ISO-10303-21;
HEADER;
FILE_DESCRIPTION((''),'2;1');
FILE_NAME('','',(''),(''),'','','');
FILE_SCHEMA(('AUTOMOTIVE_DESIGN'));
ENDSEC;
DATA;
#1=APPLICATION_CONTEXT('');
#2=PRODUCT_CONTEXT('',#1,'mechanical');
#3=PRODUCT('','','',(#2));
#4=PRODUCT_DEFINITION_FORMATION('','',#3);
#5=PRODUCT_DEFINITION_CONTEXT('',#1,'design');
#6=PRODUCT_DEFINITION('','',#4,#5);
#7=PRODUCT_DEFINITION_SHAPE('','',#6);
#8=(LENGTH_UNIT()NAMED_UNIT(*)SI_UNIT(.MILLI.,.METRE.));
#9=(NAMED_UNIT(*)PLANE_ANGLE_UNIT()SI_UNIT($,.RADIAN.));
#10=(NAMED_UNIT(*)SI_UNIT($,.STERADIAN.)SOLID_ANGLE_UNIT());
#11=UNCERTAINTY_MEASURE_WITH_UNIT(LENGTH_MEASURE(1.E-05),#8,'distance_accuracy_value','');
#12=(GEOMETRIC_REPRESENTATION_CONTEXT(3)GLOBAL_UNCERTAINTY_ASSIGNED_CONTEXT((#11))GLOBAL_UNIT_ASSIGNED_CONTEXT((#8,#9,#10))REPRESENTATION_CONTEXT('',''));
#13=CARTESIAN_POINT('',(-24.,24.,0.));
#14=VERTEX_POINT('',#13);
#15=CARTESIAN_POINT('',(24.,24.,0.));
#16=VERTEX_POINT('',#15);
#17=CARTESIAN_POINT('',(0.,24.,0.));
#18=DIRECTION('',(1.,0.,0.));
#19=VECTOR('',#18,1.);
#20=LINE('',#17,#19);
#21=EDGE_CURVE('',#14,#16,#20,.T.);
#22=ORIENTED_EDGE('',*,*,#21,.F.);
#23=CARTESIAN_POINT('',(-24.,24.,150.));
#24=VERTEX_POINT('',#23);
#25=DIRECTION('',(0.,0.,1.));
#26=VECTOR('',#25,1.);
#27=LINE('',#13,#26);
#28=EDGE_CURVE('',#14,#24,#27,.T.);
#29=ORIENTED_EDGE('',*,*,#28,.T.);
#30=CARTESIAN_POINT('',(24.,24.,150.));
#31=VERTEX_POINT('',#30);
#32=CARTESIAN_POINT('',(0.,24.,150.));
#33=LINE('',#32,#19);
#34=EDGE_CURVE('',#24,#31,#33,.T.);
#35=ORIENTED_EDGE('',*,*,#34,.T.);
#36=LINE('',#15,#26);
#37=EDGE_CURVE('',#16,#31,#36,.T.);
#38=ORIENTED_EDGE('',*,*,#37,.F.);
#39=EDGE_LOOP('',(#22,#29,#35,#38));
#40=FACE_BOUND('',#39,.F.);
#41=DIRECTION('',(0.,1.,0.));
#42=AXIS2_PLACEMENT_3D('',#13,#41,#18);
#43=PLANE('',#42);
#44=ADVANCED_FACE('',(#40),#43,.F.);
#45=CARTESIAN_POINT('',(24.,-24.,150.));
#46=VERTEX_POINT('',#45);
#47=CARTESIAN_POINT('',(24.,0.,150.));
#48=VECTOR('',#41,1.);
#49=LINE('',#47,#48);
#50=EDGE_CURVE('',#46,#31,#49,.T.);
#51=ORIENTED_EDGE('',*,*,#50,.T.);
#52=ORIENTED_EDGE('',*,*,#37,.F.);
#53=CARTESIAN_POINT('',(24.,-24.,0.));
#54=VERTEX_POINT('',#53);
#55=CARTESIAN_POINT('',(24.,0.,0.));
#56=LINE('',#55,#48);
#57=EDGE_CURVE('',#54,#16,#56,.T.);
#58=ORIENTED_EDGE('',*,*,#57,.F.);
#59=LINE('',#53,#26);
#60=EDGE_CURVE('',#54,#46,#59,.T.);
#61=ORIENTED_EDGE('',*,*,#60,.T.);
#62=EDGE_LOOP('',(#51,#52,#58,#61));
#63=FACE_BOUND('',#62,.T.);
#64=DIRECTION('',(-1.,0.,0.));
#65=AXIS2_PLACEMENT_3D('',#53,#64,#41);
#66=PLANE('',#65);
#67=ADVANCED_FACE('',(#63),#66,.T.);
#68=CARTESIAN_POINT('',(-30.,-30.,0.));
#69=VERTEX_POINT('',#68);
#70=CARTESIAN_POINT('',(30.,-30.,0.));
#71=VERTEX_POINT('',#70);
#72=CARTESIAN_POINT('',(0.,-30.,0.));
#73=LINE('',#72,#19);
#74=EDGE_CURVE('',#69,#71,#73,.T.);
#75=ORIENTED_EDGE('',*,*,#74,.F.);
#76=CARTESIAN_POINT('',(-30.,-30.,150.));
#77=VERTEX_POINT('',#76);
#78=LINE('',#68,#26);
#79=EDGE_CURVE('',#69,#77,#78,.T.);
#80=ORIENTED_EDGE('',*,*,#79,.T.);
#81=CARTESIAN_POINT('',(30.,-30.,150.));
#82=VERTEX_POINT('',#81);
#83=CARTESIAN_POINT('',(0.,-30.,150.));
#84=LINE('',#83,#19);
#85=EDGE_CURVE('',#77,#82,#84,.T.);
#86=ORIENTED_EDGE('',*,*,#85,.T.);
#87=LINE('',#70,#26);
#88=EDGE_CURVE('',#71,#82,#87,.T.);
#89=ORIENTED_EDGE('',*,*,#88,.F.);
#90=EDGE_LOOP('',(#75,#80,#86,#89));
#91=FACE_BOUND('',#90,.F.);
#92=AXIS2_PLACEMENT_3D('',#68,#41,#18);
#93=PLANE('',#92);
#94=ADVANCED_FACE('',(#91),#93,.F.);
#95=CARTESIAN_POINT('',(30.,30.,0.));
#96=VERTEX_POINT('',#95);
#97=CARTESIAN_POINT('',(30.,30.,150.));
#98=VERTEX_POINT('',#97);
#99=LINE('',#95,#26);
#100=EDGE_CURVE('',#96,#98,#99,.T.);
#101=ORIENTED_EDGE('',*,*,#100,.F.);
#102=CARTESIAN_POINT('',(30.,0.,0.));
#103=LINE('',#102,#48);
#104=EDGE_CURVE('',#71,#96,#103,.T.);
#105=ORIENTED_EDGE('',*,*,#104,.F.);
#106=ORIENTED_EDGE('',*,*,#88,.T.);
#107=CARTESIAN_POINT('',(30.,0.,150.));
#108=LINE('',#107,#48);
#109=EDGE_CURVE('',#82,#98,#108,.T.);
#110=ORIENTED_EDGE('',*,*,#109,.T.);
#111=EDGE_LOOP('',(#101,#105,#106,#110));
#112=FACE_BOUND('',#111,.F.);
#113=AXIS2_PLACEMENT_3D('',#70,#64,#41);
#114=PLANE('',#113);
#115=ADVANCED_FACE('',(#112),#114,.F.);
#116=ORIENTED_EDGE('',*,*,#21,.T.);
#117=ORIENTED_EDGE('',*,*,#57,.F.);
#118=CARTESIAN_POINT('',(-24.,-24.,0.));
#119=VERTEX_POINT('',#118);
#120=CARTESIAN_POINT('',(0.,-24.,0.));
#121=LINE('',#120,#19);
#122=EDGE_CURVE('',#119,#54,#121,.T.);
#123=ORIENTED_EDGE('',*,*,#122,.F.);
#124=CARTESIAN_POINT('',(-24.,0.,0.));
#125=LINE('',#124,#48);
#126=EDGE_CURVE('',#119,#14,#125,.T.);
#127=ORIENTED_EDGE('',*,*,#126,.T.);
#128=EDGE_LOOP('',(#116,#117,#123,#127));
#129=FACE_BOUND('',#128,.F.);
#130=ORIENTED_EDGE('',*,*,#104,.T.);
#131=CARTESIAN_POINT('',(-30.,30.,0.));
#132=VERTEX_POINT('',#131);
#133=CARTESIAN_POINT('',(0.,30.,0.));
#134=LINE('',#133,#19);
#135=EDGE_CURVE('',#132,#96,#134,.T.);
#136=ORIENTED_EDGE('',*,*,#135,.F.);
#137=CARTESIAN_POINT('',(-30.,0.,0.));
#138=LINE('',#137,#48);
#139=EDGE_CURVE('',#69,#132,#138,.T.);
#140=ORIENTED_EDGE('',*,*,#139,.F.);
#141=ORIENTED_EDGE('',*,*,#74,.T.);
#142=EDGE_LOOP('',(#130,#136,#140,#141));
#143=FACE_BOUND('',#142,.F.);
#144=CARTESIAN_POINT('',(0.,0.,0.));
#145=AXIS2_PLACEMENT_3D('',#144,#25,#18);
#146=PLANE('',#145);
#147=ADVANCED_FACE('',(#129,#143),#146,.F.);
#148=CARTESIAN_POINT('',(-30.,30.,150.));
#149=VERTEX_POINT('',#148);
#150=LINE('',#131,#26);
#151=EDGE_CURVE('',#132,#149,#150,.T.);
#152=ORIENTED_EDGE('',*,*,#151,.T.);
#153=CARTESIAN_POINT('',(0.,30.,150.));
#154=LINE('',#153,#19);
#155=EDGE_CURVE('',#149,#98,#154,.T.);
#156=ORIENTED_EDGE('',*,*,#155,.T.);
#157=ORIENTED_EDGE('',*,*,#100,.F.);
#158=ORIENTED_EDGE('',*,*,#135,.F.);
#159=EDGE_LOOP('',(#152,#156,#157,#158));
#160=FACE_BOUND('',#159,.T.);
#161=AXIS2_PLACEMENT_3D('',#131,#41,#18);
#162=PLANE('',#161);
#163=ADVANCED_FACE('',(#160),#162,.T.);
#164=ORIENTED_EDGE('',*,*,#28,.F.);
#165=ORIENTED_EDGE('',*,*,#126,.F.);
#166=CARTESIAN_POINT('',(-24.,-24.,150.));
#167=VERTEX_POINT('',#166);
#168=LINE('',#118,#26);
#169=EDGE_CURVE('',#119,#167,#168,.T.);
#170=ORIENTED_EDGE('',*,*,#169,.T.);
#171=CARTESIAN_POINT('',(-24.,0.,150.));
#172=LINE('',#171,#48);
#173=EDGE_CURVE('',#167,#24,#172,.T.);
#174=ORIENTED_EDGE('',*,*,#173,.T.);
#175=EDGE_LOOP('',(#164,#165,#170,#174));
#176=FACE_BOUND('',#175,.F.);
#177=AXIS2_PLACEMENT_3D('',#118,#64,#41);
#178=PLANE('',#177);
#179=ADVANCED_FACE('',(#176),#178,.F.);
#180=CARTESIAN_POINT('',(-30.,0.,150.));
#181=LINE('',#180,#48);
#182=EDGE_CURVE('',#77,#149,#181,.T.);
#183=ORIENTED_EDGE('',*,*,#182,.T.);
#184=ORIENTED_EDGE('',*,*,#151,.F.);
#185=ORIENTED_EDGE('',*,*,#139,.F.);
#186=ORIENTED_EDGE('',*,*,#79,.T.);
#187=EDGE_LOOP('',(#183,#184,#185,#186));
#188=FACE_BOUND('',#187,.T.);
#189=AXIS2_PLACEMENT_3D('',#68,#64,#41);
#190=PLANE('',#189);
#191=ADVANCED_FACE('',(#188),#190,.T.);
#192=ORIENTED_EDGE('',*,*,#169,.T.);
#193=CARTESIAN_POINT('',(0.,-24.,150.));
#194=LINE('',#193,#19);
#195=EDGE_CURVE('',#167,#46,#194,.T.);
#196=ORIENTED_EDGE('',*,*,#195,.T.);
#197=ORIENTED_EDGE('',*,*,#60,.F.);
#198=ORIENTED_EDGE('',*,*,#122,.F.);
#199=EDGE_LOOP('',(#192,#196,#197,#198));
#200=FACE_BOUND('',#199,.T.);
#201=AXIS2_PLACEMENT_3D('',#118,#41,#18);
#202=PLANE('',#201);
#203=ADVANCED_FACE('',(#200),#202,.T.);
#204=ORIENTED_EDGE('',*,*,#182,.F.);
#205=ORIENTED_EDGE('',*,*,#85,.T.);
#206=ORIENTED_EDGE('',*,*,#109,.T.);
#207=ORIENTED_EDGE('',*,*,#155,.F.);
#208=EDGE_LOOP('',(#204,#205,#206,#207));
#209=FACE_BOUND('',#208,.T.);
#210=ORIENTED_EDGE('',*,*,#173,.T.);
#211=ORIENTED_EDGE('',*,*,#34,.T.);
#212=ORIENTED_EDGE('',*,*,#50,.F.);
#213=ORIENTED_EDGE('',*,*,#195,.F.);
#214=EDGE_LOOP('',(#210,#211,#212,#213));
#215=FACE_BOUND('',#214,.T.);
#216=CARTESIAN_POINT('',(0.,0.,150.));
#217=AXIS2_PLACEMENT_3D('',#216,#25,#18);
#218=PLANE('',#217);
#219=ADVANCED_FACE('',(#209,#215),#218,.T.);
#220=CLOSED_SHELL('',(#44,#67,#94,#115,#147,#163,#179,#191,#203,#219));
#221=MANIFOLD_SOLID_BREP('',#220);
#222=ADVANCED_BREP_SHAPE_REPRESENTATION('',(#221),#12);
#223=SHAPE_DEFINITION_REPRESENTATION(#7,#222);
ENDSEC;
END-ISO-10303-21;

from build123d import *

# Parameters (mm, degrees)
F0_W     = 60
F0_H     = 60
F1_DEPTH = 150
F2_W     = 48
F2_H     = 48
F3_DEPTH = 150


with BuildPart() as f1:
    # F0 (on Top) → F1 (new body)
    with BuildSketch(Plane.XY):
        Rectangle(F0_W, F0_H)
    extrude(amount=F1_DEPTH)

    # F2 (on Top) → F3 (cut)
    with BuildSketch(Plane.XY):
        Rectangle(F2_W, F2_H)
    extrude(amount=F3_DEPTH, mode=Mode.SUBTRACT)


solid = f1.part
